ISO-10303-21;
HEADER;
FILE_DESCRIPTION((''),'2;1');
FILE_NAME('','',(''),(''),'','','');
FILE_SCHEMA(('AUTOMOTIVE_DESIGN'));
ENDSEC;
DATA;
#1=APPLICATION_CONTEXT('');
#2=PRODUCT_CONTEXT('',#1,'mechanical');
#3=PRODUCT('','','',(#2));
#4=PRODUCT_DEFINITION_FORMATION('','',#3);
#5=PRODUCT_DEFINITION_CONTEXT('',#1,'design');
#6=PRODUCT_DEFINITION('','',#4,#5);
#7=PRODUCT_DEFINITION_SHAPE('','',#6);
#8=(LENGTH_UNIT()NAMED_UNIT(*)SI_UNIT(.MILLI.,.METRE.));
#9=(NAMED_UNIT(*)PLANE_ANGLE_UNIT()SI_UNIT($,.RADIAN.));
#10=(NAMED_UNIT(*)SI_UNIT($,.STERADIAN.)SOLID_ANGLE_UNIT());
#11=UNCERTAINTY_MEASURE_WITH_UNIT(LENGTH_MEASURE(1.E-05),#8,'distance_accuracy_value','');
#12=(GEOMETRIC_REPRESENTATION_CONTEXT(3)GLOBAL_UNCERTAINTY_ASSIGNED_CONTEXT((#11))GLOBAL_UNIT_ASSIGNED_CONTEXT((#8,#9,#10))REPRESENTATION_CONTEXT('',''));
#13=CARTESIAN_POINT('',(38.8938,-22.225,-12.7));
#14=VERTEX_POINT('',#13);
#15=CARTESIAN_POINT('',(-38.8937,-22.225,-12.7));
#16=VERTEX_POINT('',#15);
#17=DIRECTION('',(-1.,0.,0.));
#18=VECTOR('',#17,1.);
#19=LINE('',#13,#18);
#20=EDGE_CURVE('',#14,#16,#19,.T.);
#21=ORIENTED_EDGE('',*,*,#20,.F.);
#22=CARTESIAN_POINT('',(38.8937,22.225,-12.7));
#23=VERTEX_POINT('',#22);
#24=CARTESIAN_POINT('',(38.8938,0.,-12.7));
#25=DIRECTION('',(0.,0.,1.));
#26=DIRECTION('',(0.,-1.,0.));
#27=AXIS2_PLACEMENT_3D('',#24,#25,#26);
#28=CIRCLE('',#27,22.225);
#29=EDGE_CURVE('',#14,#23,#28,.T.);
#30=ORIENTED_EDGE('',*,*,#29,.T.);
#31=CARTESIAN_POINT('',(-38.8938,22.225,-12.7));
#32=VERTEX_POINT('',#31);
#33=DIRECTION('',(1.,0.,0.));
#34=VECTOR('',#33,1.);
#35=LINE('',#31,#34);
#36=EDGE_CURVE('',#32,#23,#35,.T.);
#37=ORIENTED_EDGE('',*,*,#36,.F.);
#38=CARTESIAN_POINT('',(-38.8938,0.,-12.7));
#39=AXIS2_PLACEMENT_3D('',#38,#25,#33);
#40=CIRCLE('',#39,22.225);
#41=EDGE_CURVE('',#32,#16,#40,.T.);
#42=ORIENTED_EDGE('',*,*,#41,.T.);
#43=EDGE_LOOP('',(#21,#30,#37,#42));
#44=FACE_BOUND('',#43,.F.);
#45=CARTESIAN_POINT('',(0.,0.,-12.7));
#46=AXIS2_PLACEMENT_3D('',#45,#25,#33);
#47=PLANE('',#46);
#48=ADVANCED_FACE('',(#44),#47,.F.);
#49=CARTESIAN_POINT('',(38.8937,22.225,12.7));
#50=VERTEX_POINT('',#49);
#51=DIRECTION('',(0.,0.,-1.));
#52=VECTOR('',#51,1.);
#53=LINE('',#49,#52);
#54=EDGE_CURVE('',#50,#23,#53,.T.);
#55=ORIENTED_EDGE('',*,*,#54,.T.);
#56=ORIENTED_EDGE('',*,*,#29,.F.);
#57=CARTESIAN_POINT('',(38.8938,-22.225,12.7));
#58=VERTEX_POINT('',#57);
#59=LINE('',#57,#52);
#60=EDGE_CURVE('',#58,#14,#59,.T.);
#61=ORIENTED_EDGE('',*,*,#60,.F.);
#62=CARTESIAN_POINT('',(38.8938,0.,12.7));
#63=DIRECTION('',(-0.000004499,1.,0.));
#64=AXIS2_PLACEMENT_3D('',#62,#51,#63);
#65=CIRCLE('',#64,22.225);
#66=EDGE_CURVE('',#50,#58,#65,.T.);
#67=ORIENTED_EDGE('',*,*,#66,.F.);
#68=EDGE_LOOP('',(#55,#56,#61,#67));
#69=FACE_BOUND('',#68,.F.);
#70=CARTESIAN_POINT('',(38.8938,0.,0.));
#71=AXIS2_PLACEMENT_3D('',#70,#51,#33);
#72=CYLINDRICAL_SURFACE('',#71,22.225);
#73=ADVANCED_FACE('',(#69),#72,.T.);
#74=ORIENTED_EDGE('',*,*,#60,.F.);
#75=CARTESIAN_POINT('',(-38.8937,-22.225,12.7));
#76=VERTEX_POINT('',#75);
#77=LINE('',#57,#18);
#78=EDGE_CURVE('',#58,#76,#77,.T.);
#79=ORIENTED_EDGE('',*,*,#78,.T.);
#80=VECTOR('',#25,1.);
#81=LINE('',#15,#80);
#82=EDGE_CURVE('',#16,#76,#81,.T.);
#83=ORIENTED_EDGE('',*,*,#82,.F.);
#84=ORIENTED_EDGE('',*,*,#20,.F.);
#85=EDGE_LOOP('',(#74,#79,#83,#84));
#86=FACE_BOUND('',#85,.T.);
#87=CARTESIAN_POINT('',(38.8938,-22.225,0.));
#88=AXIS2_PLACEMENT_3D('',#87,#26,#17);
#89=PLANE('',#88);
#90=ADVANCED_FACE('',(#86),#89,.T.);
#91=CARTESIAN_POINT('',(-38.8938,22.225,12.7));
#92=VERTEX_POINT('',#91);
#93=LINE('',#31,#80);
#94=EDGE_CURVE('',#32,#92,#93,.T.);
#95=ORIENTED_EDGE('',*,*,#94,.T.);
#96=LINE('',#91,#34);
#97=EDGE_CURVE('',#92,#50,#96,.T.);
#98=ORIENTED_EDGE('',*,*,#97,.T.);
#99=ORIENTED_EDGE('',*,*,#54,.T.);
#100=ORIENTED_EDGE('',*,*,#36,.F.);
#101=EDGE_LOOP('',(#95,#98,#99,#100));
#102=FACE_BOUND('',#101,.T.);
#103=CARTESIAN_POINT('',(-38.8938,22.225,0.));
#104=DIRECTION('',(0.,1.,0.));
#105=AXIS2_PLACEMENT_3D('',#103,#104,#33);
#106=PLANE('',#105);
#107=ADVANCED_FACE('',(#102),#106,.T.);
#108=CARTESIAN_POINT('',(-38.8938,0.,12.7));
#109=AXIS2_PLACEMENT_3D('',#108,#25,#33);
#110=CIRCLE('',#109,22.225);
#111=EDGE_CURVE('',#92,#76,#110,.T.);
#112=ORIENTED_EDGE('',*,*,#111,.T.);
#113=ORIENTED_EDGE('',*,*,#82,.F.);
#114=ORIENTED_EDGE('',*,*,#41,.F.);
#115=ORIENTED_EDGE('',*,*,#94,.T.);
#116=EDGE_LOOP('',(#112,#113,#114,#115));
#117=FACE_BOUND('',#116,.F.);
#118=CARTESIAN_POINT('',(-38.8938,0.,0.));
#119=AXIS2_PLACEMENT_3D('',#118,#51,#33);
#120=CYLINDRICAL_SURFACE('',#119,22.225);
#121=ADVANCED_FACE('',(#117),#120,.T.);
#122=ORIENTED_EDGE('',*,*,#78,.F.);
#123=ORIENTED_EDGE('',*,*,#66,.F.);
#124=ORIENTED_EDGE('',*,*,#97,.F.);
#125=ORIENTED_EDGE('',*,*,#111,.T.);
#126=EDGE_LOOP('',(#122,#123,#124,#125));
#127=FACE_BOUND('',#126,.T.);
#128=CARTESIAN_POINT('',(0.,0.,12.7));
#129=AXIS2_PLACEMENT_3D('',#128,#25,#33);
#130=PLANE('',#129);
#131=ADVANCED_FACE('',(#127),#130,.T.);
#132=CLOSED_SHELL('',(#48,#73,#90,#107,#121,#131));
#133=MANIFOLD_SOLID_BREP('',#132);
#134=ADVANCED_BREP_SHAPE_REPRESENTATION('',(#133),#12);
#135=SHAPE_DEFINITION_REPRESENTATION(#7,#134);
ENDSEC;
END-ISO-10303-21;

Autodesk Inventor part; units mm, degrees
ref_plane "YZ Plane" through (0, 0, 0) normal (1, 0, 0) x (0, 1, 0)
ref_plane "XZ Plane" through (0, 0, 0) normal (0, 1, 0) x (-1, 0, 0)
ref_plane "XY Plane" through (0, 0, 0) normal (0, 0, 1) x (1, 0, 0)
sketch "Sketch1" plane through (0, 0, 0) normal (0, 0, 1) x (1, 0, 0)
  line L0 (-38.8938, 22.225) -> (38.8937, 22.225)
  line L1 (38.8937, 22.225) -> (38.8938, -22.225)
  line L2 (38.8938, -22.225) -> (-38.8937, -22.225)
  line L3 (-38.8937, -22.225) -> (-38.8938, 22.225)
  circle A0 centre (-38.8938, 0) radius 22.225
  circle A1 centre (38.8938, 0) radius 22.225
  point P0 (0, 0)
  point P1 (0, -22.225)
  dimension "d0" = 44.45
  dimension "d1" = 77.7875
extrude "Extrusion1" add sketch "Sketch1" along normal mid plane 25.4
